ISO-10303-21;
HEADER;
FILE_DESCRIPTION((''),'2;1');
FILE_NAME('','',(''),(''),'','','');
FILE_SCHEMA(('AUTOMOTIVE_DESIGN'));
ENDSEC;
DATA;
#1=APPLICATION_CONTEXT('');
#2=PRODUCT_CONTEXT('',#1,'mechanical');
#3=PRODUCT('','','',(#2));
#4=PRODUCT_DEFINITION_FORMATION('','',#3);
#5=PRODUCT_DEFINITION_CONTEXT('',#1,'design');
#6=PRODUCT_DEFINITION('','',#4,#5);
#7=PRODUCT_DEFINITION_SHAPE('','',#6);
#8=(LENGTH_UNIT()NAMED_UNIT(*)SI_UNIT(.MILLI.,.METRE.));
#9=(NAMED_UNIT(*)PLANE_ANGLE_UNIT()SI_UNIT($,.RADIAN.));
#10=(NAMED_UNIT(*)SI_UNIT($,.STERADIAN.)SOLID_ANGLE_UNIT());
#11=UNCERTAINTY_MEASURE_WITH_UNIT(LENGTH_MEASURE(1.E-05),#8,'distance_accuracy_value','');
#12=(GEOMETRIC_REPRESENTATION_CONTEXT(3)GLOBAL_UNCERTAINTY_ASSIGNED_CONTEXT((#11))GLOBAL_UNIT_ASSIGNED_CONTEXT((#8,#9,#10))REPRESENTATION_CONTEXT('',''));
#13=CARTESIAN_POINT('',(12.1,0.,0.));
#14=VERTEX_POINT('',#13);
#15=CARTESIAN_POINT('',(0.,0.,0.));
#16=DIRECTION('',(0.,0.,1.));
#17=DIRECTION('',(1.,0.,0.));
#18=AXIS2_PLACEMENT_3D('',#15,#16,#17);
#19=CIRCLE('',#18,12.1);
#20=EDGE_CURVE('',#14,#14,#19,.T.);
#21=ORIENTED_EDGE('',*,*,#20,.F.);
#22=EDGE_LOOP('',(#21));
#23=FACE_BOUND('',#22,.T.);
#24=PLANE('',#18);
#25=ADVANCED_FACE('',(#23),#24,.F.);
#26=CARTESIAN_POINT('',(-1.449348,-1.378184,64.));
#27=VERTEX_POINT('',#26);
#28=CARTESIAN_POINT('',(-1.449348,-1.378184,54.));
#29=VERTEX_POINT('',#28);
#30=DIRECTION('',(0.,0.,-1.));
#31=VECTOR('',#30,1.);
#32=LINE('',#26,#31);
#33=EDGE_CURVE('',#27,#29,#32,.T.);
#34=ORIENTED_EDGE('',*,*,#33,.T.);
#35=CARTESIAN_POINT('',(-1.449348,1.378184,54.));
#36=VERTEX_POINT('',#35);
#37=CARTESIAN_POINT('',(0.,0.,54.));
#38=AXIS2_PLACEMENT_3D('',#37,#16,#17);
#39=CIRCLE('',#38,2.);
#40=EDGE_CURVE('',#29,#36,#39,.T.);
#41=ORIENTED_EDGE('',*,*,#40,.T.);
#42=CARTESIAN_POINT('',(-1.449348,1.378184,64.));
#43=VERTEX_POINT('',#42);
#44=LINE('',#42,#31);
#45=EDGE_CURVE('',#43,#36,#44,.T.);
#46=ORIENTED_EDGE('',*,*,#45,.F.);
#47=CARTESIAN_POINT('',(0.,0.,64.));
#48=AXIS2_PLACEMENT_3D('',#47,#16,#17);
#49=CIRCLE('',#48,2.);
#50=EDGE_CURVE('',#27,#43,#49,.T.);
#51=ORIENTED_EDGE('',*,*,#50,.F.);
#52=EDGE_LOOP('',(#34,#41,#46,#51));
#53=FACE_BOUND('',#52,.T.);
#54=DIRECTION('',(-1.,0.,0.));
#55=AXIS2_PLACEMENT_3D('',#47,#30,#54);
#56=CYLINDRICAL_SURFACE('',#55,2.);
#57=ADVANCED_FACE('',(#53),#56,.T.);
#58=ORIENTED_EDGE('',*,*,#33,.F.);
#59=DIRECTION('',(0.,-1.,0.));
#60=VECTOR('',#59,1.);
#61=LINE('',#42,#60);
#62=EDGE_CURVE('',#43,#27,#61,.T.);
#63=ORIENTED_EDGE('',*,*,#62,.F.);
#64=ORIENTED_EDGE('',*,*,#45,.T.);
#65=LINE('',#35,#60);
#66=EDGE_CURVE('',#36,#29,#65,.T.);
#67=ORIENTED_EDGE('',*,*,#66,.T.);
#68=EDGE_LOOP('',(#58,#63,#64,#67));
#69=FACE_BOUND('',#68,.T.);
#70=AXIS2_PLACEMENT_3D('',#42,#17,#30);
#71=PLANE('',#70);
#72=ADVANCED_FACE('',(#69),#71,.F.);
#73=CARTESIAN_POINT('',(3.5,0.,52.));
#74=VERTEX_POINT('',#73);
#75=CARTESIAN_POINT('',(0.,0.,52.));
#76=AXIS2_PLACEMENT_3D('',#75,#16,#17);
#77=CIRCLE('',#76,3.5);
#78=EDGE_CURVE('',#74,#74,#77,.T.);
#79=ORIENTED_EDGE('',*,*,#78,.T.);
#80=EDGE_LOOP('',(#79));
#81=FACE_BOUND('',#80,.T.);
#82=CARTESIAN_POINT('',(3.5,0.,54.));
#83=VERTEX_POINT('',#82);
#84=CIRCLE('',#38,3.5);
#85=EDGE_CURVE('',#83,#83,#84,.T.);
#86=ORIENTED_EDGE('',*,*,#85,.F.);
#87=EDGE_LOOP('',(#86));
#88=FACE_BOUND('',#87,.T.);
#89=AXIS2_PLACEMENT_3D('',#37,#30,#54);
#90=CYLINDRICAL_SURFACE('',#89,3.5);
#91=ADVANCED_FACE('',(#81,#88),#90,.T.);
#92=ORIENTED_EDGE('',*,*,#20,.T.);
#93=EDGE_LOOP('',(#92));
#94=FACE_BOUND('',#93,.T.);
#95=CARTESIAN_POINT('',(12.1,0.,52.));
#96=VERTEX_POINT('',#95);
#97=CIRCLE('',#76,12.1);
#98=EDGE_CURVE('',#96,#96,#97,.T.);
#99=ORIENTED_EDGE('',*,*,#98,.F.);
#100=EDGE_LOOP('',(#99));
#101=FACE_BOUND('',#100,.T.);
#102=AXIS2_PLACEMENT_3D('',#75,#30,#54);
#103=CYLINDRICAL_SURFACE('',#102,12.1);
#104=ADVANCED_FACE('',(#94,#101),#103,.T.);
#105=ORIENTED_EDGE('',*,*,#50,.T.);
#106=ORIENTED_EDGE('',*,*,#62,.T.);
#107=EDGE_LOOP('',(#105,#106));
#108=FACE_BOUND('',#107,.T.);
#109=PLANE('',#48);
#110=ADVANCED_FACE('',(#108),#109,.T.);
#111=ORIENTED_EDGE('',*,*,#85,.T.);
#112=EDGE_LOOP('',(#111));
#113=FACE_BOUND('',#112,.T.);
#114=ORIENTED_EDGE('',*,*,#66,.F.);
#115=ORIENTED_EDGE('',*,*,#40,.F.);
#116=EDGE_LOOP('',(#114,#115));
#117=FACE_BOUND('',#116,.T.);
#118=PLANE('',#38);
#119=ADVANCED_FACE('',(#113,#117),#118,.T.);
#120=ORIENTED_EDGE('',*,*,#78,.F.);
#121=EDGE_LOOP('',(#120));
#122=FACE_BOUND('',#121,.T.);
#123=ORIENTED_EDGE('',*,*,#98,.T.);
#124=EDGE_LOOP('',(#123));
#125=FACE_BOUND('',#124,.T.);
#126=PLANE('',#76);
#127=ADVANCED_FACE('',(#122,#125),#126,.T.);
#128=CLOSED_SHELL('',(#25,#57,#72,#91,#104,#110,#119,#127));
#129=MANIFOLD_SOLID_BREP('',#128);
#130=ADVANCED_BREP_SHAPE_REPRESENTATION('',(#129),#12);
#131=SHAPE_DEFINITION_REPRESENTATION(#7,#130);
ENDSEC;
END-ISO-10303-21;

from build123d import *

# Parameters (mm, degrees)
SKETCH1_R           = 12.1
BOSS_EXTRUDE1_DEPTH = 52
SKETCH2_R           = 3.5
BOSS_EXTRUDE2_DEPTH = 2
BOSS_EXTRUDE3_DEPTH = 10


with BuildPart() as part:
    # Sketch1 → Boss-Extrude1 (new body)
    with BuildSketch(Plane.XY):
        Circle(SKETCH1_R)
    extrude(amount=BOSS_EXTRUDE1_DEPTH)

    # Sketch2 → Boss-Extrude2 (add)
    with BuildSketch(Plane.XY.offset(52)):
        Circle(SKETCH2_R)
    extrude(amount=BOSS_EXTRUDE2_DEPTH)

    # Sketch4 → Boss-Extrude3 (add)
    with BuildSketch(Plane.XY.offset(54)):
        with BuildLine():
            Line((-1.449347592, 1.378184152), (-1.449347592, -1.378184152))
            ThreePointArc((-1.449347592, -1.378184152), (2, 0), (-1.449347592, 1.378184152))
        make_face()
    extrude(amount=BOSS_EXTRUDE3_DEPTH)


solid = part.part
